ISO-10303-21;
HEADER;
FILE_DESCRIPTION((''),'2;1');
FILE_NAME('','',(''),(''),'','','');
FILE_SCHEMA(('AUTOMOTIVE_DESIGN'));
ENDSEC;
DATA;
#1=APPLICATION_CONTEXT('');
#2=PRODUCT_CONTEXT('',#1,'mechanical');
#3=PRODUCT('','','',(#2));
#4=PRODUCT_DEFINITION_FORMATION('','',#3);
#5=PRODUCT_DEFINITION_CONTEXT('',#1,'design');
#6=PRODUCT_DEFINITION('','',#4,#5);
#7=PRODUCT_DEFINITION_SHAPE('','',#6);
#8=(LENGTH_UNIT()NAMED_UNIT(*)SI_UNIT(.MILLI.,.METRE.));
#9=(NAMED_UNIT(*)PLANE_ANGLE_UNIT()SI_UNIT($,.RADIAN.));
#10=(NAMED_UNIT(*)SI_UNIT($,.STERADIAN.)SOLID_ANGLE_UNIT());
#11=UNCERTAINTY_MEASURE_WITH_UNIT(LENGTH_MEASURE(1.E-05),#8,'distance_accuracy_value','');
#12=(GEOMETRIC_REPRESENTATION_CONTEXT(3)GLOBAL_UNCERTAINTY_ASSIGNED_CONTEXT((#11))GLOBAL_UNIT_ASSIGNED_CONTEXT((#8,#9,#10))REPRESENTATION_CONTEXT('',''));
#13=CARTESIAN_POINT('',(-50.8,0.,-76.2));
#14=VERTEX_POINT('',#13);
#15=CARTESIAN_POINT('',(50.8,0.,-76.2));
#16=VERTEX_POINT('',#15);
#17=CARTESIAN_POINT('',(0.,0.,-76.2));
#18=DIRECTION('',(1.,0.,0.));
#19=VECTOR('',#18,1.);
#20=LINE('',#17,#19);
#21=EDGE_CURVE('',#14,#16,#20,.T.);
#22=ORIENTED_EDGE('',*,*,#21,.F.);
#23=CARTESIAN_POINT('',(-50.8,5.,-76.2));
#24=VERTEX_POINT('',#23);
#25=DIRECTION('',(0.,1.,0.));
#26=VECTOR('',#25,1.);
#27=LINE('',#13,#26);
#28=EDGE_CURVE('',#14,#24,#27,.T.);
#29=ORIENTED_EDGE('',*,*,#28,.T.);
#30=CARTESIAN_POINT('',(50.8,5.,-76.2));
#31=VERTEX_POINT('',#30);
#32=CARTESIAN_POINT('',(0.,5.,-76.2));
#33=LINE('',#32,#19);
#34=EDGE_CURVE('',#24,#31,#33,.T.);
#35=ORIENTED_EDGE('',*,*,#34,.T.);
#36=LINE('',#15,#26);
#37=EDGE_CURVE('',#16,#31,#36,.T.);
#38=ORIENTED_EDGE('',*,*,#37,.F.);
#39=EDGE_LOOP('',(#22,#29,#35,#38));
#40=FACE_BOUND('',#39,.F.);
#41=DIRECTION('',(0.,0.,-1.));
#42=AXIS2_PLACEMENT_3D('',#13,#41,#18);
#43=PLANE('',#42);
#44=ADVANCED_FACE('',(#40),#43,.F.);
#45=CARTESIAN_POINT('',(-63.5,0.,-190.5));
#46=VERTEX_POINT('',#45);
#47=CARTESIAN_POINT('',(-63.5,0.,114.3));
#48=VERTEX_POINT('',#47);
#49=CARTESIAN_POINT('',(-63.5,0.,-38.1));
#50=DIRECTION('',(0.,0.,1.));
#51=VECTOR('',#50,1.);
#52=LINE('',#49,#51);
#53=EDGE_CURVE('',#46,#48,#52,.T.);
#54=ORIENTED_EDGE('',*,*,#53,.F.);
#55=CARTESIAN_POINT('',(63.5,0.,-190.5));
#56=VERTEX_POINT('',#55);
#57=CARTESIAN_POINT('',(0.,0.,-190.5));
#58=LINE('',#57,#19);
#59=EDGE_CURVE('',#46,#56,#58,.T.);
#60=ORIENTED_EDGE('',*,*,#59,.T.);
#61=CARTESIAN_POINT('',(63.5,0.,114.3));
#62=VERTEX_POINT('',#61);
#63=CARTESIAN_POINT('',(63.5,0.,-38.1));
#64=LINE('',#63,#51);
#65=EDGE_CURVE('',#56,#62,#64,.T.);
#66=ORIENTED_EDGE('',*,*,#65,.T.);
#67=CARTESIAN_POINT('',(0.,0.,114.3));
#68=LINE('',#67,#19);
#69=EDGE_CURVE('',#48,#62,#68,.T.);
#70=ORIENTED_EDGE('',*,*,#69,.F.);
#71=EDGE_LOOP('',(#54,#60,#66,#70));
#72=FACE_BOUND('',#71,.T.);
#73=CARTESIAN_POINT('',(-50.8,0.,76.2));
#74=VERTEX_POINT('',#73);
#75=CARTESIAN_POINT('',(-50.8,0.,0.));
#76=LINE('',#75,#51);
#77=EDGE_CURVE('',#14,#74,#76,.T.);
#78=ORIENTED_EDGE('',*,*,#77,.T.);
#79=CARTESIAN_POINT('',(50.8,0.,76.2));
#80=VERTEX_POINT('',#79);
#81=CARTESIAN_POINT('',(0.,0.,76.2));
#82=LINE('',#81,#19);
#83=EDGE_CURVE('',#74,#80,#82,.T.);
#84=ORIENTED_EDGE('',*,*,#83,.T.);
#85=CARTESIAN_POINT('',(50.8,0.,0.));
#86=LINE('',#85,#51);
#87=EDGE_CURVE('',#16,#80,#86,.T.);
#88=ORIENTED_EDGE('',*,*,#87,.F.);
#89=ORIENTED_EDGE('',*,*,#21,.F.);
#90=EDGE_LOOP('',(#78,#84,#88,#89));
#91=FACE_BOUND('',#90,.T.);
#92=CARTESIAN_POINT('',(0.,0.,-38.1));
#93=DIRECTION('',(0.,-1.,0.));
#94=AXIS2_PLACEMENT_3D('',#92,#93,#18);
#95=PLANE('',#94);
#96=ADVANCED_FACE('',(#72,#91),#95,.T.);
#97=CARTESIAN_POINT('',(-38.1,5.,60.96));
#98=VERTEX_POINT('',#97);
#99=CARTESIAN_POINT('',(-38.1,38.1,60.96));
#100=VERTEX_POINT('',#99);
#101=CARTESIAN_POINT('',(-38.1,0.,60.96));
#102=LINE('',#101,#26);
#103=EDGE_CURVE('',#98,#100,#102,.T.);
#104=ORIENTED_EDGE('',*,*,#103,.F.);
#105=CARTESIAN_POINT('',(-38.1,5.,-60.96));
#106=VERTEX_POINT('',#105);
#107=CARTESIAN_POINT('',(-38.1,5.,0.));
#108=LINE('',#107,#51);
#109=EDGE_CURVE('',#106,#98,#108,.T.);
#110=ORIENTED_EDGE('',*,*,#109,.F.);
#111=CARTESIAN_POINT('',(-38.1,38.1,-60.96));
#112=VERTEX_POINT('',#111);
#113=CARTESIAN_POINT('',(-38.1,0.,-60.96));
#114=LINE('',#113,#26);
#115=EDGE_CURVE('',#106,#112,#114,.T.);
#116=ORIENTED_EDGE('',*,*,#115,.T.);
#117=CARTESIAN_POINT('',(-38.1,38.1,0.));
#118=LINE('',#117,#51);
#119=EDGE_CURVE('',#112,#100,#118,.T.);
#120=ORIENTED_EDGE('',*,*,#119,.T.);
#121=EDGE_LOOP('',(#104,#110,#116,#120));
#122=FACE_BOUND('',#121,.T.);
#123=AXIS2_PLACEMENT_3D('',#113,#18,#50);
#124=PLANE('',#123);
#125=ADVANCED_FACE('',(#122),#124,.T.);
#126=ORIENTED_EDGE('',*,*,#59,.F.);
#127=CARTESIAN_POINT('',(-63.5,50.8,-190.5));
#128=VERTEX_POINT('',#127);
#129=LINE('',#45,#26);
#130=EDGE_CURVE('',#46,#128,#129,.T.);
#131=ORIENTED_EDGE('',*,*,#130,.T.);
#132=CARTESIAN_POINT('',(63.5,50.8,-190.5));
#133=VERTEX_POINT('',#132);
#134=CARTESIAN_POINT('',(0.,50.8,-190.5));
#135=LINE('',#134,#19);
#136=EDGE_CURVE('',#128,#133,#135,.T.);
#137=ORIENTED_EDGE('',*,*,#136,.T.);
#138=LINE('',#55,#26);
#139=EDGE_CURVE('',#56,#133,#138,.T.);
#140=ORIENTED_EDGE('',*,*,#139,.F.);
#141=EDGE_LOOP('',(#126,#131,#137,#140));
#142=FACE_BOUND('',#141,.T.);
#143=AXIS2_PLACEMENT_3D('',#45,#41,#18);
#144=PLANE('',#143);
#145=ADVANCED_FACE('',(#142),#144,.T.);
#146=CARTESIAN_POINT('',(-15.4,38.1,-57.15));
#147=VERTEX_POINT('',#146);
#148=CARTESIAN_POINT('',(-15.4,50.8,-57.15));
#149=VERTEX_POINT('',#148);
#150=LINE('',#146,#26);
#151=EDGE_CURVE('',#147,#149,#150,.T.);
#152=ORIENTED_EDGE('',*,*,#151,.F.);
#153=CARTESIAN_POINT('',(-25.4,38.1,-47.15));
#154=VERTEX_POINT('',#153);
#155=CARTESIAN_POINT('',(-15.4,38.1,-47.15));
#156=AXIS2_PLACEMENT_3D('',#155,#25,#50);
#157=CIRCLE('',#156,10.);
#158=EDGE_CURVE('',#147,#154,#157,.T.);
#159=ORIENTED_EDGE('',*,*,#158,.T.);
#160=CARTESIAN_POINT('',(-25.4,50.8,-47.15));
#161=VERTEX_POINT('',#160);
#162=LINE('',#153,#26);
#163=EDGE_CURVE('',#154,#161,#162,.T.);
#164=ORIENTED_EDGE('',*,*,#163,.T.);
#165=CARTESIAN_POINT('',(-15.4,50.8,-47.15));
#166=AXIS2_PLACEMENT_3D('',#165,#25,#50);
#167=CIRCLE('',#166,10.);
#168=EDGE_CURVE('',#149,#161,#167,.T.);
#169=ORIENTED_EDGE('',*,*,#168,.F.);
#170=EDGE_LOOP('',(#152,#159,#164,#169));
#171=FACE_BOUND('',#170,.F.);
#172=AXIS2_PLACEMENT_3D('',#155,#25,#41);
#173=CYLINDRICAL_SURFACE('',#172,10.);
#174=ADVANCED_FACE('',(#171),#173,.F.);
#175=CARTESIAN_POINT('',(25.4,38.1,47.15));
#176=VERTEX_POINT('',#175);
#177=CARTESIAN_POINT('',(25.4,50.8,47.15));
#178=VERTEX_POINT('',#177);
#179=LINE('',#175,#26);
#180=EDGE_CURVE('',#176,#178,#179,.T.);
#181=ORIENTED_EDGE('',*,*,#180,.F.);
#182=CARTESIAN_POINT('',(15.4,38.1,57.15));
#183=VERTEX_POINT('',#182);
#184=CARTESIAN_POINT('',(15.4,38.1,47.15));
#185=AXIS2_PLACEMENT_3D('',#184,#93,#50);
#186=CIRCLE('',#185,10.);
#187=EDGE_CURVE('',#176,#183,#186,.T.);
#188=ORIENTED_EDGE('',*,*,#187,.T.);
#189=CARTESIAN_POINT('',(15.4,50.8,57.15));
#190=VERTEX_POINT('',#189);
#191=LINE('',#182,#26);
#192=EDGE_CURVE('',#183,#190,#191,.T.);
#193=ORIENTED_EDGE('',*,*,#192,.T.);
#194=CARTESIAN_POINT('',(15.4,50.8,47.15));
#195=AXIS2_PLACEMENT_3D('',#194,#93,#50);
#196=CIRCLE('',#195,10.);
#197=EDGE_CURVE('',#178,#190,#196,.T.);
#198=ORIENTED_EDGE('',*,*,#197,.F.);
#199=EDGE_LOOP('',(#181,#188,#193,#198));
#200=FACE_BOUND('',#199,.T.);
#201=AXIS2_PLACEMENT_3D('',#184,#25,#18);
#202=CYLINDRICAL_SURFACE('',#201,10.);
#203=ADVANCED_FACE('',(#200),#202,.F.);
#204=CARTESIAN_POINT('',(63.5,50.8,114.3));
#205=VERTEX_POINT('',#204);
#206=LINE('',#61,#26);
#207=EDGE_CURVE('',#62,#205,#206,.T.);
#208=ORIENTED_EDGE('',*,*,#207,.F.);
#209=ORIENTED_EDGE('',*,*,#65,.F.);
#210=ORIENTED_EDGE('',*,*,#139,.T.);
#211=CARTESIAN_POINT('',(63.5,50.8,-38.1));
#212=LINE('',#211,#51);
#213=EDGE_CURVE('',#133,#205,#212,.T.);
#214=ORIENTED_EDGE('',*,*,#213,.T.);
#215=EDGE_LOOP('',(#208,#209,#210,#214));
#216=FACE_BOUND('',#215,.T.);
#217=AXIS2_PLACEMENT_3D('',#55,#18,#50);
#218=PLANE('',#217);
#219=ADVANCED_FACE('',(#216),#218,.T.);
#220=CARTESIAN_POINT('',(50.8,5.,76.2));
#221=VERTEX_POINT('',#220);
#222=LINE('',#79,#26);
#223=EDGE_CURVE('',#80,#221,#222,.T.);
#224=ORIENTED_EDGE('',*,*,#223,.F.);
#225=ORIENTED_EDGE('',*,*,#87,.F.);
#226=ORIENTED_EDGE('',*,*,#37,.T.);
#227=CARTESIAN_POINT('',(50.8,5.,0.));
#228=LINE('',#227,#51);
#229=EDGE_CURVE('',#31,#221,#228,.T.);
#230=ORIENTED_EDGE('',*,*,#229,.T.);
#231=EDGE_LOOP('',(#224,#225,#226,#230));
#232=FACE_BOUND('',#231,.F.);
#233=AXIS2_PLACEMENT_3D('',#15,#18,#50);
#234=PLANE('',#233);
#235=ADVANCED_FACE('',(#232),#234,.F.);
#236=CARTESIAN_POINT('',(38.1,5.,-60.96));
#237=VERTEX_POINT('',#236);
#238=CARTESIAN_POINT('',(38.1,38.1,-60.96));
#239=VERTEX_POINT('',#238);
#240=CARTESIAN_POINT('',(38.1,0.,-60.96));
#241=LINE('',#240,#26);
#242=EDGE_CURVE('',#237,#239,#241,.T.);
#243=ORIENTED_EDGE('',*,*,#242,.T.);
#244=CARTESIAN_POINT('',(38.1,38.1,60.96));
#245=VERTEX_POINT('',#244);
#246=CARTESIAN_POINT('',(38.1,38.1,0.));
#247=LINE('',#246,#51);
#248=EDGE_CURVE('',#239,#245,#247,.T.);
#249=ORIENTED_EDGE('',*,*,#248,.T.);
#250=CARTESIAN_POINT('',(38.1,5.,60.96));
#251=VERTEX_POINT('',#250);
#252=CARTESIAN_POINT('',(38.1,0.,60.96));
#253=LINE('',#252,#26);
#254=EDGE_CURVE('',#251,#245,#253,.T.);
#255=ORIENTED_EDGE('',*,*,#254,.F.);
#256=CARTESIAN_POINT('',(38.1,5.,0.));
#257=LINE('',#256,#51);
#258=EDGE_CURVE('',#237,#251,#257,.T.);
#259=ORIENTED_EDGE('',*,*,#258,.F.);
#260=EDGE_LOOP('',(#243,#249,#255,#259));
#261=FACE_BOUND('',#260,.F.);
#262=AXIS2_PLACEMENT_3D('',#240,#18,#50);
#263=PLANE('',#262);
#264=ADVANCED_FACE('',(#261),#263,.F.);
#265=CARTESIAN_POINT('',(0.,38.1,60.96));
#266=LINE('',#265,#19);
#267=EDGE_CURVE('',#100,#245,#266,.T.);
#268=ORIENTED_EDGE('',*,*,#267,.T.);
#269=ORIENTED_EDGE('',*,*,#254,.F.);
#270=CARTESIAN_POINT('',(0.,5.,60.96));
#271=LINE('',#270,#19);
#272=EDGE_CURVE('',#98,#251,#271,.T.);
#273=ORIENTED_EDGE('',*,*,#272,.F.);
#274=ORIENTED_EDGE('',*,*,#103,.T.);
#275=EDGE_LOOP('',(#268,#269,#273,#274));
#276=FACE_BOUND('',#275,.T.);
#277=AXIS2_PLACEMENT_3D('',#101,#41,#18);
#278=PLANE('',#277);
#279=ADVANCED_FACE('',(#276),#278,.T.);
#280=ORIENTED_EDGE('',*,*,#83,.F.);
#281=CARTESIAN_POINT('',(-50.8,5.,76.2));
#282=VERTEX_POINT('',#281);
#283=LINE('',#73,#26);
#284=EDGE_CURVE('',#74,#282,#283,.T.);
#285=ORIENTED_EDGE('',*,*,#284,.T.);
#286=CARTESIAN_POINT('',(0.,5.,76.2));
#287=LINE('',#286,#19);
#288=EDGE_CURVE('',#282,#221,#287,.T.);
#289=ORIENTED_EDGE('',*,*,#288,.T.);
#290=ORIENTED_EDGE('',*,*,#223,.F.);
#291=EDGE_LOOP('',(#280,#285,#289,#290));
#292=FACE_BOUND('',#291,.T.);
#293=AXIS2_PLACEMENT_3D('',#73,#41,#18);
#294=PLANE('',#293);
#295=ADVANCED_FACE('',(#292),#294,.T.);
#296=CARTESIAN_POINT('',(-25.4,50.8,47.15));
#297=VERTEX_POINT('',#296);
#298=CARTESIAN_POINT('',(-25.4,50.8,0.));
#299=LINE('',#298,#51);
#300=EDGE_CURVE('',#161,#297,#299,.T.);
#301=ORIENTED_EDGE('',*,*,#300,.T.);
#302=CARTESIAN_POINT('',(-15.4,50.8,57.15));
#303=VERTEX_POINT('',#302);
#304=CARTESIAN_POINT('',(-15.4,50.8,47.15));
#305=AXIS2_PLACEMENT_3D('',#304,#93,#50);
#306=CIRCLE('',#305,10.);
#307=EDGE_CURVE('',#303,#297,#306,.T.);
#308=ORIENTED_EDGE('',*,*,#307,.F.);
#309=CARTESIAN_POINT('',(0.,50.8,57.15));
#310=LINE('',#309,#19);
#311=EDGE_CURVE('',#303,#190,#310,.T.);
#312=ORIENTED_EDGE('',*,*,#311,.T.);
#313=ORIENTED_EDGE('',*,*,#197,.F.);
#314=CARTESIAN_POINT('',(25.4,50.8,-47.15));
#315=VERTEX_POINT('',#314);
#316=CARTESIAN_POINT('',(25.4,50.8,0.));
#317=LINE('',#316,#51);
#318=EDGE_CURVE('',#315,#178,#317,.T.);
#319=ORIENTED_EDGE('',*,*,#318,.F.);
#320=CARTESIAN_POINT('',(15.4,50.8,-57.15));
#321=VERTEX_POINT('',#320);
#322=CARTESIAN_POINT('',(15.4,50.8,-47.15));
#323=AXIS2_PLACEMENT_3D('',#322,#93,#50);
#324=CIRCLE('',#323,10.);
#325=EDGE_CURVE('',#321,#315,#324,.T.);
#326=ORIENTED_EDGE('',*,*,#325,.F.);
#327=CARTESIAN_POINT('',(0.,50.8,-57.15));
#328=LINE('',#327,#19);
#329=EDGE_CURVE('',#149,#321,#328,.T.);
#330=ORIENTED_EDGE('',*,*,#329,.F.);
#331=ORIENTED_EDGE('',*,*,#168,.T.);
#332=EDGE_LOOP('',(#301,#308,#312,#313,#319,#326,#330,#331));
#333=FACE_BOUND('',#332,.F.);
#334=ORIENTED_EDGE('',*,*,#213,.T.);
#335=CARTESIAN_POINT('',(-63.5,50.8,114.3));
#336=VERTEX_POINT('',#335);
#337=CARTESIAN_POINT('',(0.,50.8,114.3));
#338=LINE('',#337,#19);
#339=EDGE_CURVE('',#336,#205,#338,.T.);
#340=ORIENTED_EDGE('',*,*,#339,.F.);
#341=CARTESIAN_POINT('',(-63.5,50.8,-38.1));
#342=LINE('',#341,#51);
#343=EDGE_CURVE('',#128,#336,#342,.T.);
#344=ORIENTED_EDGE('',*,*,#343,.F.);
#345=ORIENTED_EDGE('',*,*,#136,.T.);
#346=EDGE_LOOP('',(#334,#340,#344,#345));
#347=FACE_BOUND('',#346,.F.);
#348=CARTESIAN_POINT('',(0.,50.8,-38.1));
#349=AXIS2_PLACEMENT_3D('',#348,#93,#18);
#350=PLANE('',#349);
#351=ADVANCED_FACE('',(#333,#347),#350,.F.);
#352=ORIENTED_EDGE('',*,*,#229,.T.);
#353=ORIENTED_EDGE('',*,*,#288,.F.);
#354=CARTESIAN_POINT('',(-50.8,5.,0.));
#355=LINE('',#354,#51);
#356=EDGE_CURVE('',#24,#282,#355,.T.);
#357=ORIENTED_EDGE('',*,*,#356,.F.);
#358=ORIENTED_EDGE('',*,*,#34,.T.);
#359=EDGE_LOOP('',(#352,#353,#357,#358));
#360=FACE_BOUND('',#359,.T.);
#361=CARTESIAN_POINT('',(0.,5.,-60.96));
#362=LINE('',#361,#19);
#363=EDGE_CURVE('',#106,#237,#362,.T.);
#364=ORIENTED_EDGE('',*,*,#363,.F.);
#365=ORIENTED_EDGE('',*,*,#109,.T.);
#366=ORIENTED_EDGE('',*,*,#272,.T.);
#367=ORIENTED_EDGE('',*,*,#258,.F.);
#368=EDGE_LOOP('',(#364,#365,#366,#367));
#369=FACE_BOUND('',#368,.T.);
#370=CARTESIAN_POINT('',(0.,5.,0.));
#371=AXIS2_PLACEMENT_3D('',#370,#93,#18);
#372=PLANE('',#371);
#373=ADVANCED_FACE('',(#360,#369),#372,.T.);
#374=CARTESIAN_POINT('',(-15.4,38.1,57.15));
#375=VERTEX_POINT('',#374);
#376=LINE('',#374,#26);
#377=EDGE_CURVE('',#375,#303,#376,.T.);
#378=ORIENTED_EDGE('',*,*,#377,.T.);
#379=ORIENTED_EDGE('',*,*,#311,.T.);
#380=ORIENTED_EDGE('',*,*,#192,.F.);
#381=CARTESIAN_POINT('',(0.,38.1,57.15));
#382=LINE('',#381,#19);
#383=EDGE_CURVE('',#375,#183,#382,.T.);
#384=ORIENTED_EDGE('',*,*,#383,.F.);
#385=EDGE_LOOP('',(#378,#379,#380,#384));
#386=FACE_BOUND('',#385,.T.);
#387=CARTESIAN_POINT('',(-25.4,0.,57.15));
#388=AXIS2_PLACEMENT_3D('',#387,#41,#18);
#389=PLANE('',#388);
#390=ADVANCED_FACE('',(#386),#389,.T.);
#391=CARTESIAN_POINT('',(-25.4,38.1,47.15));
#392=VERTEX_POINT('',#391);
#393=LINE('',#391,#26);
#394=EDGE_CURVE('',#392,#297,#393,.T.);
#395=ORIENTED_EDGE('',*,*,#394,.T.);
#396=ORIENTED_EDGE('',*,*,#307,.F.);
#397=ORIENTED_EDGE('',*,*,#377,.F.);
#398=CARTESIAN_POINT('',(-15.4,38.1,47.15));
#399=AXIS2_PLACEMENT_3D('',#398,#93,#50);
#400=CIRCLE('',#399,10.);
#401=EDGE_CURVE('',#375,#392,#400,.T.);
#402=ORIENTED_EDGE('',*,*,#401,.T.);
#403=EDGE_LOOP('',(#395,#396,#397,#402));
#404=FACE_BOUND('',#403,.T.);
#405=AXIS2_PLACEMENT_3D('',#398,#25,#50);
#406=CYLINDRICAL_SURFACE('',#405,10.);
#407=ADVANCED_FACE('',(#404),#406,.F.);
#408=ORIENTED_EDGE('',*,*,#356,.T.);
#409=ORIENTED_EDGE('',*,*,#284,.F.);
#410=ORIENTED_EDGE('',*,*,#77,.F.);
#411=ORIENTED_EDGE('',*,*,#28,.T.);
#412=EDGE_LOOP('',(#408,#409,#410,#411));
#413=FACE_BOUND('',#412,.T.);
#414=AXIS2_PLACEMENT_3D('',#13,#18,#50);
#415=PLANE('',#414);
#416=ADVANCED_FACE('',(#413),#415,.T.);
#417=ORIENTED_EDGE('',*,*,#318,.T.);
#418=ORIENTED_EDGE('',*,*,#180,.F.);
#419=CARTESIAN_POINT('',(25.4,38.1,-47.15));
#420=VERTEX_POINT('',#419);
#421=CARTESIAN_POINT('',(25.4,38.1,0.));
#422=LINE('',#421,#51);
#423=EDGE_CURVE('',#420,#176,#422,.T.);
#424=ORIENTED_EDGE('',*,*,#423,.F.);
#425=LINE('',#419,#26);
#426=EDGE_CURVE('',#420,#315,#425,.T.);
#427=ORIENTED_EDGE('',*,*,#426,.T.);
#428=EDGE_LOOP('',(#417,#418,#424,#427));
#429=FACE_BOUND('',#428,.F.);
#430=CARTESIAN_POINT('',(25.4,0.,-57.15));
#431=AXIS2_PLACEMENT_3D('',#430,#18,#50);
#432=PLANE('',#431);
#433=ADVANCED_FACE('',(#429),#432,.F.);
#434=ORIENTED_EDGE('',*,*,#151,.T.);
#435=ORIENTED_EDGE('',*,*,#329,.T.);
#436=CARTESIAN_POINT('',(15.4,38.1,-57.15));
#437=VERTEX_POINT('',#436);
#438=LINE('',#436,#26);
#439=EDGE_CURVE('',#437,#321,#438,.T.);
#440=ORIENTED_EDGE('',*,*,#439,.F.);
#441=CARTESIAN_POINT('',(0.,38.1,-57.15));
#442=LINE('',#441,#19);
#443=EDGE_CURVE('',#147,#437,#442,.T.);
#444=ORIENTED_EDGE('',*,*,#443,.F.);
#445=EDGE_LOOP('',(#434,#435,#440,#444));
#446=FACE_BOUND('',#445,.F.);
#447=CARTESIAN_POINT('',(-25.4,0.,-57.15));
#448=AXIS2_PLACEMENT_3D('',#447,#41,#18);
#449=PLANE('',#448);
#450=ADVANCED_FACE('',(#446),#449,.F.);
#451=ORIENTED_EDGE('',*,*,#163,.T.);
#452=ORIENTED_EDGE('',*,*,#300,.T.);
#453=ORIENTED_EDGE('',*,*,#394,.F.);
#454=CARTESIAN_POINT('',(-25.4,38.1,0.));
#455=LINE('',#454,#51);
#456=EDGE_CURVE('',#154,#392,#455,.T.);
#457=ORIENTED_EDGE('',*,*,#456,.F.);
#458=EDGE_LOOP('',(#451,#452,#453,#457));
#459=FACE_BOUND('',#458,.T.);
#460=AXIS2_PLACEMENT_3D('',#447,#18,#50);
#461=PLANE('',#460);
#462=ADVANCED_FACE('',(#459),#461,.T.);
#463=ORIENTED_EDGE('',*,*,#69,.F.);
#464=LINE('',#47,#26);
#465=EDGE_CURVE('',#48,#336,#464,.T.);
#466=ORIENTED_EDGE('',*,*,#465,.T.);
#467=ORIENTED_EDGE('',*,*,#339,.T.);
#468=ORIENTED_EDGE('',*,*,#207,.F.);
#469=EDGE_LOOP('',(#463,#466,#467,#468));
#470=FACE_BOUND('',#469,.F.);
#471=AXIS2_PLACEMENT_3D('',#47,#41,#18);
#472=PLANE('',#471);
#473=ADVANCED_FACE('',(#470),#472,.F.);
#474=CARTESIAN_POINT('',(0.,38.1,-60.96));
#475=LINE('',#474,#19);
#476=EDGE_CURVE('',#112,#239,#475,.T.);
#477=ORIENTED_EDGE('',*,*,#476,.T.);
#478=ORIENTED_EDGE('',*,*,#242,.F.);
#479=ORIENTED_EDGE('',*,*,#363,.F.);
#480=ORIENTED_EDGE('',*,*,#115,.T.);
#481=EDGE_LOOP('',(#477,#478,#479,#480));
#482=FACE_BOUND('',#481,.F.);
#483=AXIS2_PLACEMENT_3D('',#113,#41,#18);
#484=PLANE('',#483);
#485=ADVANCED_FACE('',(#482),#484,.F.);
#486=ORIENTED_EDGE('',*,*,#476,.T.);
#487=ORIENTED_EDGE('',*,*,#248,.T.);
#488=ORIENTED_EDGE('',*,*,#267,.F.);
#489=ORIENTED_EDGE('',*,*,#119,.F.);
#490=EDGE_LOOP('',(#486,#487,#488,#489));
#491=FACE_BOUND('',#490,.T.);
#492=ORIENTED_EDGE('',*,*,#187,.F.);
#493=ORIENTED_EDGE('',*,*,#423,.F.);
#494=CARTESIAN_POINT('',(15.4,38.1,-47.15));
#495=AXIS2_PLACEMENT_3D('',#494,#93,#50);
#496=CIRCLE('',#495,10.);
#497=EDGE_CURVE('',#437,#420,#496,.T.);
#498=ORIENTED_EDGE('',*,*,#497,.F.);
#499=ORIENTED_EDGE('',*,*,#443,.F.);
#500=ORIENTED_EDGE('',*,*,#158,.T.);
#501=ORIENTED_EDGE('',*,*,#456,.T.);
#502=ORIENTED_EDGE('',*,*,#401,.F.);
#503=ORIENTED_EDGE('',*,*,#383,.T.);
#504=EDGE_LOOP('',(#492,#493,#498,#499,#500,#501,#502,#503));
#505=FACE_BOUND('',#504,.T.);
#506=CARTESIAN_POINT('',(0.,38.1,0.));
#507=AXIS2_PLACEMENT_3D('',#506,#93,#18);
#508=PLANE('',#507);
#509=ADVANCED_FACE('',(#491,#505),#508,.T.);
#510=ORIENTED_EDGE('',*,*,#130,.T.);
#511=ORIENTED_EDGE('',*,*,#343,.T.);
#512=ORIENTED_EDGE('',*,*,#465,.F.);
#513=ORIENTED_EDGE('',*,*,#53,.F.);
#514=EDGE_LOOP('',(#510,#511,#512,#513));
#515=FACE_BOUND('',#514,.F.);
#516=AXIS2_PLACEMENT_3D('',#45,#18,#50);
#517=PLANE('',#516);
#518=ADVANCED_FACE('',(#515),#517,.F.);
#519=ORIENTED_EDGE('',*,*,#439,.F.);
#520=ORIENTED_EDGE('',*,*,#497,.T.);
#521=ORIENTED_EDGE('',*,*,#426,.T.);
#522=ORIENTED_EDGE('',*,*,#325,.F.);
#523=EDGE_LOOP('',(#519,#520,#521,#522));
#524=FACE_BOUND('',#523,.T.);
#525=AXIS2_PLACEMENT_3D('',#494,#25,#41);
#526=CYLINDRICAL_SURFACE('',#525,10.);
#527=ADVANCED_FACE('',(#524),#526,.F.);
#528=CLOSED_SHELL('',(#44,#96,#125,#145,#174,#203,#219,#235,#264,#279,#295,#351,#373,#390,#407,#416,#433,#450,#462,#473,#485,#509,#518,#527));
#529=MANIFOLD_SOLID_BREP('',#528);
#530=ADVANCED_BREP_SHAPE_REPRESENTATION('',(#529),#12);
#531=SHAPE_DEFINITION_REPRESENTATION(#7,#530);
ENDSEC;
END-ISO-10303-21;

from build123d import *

# Parameters (mm, degrees)
F0_W     = 127
F0_H     = 304.8
F0_W_2   = 101.6
F0_H_2   = 152.4
F0_W_3   = 76.2
F0_H_3   = 121.92
F0_W_4   = 50.8
F0_H_4   = 114.3
F1_DEPTH = 50.8
F2_DEPTH = 5
F3_DEPTH = 38.1
F4_R     = 10


with BuildPart() as f1:
    # F0 (on Front) → F1 (new body)
    with BuildSketch(Plane.XZ):
        with Locations((0, -38.1)):
            Rectangle(F0_W, F0_H)
        Rectangle(F0_W_2, F0_H_2, mode=Mode.SUBTRACT)
        Rectangle(F0_W_2, F0_H_2)
        Rectangle(F0_W_3, F0_H_3, mode=Mode.SUBTRACT)
        Rectangle(F0_W_3, F0_H_3)
        Rectangle(F0_W_4, F0_H_4, mode=Mode.SUBTRACT)
    extrude(amount=-F1_DEPTH)

    # F0 (on Front) → F2 (cut)
    with BuildSketch(Plane.XZ):
        Rectangle(F0_W_2, F0_H_2)
        Rectangle(F0_W_3, F0_H_3, mode=Mode.SUBTRACT)
    extrude(amount=-F2_DEPTH, mode=Mode.SUBTRACT)

    # F0 (on Front) → F3 (cut)
    with BuildSketch(Plane.XZ):
        Rectangle(F0_W_3, F0_H_3)
        Rectangle(F0_W_4, F0_H_4, mode=Mode.SUBTRACT)
    extrude(amount=-F3_DEPTH, mode=Mode.SUBTRACT)

    # F4
    f4_edges = [f1.edges().sort_by_distance(p)[0] for p in [
        (-25.4, 44.45, 57.15),
        (25.4, 44.45, 57.15),
        (-25.4, 44.45, -57.15),
        (25.4, 44.45, -57.15),
    ]]
    fillet(f4_edges, radius=F4_R)


solid = f1.part
